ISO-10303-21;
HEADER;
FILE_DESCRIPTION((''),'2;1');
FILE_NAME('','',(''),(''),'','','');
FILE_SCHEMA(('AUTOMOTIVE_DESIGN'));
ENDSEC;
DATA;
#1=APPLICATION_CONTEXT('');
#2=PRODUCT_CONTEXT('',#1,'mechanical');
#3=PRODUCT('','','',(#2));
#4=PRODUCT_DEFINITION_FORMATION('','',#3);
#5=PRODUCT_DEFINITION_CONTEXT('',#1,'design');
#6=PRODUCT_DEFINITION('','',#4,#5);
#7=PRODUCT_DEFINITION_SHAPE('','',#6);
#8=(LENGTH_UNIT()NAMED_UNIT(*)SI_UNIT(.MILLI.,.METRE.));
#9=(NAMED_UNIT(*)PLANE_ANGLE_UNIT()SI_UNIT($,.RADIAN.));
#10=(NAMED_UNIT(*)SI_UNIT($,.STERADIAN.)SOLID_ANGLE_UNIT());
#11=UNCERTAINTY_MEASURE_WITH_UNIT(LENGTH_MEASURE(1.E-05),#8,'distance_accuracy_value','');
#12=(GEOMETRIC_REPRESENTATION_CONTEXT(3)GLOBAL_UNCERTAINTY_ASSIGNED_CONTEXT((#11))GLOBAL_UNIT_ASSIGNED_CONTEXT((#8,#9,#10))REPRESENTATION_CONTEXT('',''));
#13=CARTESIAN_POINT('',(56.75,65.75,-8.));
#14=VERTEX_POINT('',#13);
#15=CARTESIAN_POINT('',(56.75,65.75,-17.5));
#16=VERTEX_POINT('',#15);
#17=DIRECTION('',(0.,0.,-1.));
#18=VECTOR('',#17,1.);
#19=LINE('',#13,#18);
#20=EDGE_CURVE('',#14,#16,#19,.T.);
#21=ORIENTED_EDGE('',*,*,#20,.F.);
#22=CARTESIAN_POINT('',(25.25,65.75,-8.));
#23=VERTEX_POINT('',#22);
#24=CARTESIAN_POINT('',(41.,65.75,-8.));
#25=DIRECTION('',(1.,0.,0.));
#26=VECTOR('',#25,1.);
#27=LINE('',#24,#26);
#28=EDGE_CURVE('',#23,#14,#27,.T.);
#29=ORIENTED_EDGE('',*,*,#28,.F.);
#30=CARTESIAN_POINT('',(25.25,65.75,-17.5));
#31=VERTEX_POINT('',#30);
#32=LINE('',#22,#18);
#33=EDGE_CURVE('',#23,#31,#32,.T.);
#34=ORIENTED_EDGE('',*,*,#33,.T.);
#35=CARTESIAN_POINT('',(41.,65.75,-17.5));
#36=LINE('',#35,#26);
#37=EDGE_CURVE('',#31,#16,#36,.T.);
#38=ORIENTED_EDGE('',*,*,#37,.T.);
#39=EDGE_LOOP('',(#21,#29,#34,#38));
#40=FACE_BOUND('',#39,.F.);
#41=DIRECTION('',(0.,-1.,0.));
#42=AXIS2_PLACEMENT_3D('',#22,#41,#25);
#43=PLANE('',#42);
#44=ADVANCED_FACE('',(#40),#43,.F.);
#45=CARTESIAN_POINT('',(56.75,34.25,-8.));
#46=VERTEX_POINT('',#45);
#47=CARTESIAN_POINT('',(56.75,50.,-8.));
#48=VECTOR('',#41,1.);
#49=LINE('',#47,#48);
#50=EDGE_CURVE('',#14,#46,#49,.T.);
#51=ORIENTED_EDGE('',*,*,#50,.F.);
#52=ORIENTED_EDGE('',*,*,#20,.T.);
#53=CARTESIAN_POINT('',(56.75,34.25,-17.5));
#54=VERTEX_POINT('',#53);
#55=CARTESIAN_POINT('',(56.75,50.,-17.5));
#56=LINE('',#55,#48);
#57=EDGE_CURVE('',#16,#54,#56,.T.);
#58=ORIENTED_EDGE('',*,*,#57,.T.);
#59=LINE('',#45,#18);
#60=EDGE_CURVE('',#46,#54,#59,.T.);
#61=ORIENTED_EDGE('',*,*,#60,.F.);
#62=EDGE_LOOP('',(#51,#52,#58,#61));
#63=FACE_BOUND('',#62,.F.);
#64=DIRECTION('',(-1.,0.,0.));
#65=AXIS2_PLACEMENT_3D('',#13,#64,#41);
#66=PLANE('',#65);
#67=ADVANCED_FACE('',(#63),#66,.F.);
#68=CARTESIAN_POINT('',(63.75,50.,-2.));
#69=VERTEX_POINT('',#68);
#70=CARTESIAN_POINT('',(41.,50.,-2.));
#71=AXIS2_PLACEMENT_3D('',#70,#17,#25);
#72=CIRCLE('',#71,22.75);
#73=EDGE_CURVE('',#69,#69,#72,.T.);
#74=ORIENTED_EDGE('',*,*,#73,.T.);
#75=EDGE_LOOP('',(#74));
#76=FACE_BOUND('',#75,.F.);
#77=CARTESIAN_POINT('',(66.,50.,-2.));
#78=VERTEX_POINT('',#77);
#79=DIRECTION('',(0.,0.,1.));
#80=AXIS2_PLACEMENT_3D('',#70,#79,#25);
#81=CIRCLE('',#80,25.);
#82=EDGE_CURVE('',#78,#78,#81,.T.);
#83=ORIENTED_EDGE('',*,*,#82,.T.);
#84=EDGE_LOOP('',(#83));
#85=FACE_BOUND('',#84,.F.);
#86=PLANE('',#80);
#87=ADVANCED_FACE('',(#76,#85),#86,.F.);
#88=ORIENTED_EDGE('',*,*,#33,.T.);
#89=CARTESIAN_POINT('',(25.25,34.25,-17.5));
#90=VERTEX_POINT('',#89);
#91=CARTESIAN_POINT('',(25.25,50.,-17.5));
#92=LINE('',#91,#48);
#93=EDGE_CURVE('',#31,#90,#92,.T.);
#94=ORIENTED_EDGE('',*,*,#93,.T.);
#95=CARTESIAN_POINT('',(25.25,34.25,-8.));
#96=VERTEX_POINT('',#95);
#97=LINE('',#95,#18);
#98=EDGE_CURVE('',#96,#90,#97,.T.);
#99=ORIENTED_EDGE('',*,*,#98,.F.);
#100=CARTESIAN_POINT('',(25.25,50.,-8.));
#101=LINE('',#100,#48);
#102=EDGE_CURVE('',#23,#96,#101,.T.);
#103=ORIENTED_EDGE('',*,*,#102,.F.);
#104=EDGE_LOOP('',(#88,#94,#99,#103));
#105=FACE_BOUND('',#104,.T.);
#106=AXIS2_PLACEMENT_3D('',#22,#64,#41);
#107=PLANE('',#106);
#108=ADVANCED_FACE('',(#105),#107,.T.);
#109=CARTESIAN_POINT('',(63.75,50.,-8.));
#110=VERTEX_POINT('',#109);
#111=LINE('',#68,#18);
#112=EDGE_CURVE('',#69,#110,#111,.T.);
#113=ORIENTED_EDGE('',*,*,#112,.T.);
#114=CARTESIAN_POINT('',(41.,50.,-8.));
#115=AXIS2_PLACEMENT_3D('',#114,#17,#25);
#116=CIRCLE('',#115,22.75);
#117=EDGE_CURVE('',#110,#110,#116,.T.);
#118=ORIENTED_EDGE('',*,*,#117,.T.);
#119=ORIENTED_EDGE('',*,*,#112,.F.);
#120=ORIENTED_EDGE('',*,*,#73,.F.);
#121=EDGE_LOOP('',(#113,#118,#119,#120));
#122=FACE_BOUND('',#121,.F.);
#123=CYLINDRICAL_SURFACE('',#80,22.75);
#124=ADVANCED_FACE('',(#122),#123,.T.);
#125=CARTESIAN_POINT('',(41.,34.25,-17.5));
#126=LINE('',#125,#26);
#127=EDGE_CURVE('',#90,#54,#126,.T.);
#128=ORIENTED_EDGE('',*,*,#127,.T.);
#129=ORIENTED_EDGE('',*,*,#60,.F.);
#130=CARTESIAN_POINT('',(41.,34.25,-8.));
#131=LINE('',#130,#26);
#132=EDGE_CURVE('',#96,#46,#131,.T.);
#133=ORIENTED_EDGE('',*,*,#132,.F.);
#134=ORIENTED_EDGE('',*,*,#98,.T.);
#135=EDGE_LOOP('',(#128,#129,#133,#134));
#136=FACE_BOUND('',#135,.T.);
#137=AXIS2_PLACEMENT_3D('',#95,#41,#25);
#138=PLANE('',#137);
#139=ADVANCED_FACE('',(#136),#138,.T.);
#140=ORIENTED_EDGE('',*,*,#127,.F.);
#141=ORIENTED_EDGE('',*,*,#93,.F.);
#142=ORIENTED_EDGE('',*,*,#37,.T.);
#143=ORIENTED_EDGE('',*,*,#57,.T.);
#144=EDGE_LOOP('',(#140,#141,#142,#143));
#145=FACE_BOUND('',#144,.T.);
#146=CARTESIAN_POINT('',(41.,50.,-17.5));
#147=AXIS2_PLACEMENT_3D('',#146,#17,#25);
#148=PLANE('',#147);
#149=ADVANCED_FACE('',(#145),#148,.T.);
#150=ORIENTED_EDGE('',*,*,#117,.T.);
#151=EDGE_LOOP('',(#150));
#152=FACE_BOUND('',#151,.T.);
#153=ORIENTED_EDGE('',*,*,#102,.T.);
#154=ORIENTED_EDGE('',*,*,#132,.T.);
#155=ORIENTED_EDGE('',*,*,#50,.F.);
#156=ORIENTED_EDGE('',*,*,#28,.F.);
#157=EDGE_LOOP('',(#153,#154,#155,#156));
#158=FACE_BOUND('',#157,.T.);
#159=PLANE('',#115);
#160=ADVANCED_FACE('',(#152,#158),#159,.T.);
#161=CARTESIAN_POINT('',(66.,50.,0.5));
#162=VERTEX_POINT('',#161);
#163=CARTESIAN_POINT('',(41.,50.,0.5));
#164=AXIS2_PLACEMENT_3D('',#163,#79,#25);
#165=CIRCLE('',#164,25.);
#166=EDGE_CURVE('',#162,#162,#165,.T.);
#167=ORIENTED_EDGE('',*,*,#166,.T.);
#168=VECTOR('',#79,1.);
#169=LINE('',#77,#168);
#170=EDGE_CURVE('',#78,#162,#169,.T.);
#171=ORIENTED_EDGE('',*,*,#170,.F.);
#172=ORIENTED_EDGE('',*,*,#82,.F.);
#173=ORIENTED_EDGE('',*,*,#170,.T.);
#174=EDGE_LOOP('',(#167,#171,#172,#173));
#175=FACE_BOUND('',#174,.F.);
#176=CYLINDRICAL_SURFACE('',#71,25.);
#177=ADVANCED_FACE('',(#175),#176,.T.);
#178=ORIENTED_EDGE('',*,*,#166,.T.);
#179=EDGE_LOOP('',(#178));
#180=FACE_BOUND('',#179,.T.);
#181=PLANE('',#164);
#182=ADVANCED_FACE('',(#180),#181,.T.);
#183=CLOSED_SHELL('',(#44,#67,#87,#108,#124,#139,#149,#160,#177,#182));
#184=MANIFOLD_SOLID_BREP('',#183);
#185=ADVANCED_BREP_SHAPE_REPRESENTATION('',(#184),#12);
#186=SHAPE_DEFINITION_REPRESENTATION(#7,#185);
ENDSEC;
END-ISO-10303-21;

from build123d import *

# Parameters (mm, degrees)
SKETCH042_R  = 25
PAD014_DEPTH = 2.5
SKETCH043_R  = 22.75
PAD015_DEPTH = 6
SKETCH044_W  = 31.5
SKETCH044_H  = 31.5
PAD016_DEPTH = 9.5


with BuildPart() as part:
    # Sketch042 → Pad014 (new body)
    with BuildSketch(Plane.XY):
        Circle(SKETCH042_R)
    extrude(amount=PAD014_DEPTH)

    # Sketch043 (on Face2 of Pad014) → Pad015 (join)
    with BuildSketch(Plane(origin=(0, 0, 0), x_dir=(1, 0, 0), z_dir=(0, 0, -1))):
        Circle(SKETCH043_R)
    extrude(amount=PAD015_DEPTH)

    # Sketch044 (on Face5 of Pad015) → Pad016 (join)
    with BuildSketch(Plane(origin=(0, 0, -6), x_dir=(1, 0, 0), z_dir=(0, 0, -1))):
        Rectangle(SKETCH044_W, SKETCH044_H)
    extrude(amount=PAD016_DEPTH)


with BuildPart() as part_1:
    # Body008 placement: moved
    add(part.part.moved(Location((41, 50, -2))))


solid = part_1.part
